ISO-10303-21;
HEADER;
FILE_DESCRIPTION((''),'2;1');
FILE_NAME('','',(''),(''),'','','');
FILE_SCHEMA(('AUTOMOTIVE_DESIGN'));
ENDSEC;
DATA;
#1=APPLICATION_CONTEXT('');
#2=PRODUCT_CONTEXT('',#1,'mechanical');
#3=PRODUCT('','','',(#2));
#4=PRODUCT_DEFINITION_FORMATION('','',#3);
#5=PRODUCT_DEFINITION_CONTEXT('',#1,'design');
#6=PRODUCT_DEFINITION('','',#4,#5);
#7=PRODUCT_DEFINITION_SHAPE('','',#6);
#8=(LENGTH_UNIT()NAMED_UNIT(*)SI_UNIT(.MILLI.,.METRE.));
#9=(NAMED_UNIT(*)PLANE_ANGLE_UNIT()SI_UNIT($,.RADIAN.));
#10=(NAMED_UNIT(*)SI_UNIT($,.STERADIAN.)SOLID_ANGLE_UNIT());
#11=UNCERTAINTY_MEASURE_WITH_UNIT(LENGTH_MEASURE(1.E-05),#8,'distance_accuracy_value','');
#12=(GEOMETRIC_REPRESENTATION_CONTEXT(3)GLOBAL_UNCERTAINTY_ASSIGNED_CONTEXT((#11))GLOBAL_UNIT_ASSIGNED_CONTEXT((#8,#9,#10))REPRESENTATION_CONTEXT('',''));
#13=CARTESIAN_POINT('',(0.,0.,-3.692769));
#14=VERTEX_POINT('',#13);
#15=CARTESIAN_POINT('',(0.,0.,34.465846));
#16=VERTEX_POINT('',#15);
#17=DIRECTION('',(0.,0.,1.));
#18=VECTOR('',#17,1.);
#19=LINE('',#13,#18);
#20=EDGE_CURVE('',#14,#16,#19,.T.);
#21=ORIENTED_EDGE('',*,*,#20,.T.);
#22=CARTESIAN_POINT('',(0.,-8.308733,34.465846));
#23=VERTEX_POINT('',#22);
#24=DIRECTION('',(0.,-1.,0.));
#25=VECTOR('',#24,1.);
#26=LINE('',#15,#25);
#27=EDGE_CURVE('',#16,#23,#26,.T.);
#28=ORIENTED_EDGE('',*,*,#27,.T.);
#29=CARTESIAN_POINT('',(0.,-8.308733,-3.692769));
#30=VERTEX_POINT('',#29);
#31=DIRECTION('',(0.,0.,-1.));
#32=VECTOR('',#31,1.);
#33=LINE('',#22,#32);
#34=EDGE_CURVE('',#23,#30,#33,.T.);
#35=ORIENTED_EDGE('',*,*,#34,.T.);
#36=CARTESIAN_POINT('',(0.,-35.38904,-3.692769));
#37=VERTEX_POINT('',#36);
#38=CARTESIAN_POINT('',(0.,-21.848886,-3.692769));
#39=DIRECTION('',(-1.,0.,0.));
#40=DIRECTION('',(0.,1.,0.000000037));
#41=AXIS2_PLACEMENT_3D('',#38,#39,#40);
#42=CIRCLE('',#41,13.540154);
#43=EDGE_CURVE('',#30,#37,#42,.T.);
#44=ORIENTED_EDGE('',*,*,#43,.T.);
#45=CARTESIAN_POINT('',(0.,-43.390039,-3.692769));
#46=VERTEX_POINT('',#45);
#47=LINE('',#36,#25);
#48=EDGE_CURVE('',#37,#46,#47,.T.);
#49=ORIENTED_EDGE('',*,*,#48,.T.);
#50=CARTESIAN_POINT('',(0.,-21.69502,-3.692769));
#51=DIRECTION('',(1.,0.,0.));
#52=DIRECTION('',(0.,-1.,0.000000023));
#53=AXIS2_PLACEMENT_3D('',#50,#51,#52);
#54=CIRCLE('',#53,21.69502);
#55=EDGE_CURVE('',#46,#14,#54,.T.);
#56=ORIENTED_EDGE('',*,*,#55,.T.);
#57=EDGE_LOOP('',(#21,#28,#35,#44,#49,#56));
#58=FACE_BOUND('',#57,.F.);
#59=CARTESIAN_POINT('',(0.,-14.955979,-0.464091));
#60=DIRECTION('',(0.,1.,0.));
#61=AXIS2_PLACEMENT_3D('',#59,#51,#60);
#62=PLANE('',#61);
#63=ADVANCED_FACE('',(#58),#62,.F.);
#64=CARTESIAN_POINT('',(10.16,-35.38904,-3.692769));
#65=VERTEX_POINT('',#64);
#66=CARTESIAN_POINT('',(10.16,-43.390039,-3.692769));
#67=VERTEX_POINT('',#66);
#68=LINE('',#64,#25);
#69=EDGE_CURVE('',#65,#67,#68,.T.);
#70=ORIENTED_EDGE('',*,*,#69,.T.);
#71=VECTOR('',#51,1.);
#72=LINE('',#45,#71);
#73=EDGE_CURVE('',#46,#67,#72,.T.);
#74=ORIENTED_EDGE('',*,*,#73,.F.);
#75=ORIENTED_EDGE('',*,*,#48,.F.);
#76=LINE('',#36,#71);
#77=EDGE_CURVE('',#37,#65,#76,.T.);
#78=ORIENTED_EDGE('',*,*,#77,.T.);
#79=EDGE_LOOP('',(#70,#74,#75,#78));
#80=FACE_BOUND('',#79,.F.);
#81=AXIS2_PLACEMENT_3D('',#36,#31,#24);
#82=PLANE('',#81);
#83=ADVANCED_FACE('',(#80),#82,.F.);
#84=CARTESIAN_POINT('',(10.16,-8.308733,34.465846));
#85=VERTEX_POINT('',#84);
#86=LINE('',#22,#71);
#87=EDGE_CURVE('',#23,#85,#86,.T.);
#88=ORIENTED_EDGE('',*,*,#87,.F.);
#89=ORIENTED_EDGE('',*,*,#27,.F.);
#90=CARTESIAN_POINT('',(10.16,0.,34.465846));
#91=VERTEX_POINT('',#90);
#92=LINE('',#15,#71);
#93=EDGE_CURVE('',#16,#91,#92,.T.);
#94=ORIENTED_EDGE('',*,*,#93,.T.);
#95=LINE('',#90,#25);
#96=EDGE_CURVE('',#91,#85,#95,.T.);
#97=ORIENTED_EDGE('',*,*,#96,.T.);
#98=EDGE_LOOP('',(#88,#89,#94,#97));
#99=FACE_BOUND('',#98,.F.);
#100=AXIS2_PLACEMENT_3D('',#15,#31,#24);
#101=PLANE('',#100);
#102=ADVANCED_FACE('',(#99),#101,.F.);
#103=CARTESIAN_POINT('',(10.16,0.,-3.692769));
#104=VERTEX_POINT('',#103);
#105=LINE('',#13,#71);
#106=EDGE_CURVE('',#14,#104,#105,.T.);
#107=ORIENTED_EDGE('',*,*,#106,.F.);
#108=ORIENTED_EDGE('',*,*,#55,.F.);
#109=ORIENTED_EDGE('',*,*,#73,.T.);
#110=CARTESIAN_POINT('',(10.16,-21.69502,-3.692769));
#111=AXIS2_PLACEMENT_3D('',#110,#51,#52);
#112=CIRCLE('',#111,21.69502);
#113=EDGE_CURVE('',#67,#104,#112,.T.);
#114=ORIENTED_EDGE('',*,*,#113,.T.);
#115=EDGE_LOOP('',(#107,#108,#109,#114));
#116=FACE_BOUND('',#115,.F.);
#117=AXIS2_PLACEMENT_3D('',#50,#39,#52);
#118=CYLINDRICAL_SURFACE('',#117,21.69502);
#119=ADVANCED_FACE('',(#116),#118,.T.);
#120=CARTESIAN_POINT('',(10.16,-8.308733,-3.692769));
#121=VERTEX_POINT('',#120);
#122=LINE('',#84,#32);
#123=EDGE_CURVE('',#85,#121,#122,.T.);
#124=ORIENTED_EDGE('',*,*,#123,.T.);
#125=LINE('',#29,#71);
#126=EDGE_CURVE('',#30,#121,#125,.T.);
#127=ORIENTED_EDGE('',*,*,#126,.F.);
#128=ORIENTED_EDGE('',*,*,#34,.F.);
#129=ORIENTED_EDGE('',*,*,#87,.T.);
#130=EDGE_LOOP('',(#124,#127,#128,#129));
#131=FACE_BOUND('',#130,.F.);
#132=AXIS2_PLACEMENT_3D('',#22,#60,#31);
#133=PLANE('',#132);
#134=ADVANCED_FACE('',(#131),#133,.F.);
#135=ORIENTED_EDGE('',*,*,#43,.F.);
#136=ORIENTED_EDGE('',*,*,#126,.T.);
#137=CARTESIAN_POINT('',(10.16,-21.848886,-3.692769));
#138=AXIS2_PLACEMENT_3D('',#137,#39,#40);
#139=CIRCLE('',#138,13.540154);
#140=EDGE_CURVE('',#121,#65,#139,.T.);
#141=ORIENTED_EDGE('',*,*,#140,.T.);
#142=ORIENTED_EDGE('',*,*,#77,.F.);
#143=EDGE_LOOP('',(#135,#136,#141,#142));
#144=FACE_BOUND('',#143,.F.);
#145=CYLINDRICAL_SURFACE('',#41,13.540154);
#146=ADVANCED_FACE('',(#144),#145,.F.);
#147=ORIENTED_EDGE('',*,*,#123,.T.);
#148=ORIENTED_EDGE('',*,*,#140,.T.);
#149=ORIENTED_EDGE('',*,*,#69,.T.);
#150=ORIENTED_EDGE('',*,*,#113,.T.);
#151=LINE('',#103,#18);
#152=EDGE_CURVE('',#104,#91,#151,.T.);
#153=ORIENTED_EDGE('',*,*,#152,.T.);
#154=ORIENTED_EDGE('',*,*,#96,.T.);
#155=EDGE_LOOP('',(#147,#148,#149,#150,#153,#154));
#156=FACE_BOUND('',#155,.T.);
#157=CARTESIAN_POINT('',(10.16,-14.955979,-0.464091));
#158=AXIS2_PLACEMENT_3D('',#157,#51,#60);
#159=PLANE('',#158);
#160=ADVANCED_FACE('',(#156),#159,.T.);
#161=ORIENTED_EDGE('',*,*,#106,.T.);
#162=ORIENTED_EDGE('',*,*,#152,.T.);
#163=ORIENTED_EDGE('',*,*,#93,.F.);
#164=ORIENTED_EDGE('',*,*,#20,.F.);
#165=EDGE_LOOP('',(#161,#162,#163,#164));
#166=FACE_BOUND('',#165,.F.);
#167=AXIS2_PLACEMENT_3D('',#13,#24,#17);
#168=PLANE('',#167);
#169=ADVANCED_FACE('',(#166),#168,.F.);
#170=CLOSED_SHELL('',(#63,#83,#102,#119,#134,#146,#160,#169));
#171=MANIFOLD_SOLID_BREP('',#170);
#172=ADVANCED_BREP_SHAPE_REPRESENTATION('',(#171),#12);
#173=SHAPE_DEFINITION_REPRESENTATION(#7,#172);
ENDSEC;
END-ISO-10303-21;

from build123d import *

# Parameters (mm, degrees)
F1_DEPTH = 10.16


with BuildPart() as f1:
    # F0 (on Right) → F1 (new body)
    with BuildSketch(Plane.YZ):
        with BuildLine():
            Line((0, -3.692769), (0, 34.465846))
            Line((0, 34.465846), (-8.308733, 34.465846))
            Line((-8.308733, 34.465846), (-8.308733, -3.692769))
            ThreePointArc((-8.308733, -3.692769), (-21.848886, -17.232923), (-35.38904, -3.692769))
            Line((-35.38904, -3.692769), (-43.390039, -3.692769))
            ThreePointArc((-43.390039, -3.692769), (-21.69502, -25.387789), (0, -3.692769))
        make_face()
    extrude(amount=F1_DEPTH)


solid = f1.part
